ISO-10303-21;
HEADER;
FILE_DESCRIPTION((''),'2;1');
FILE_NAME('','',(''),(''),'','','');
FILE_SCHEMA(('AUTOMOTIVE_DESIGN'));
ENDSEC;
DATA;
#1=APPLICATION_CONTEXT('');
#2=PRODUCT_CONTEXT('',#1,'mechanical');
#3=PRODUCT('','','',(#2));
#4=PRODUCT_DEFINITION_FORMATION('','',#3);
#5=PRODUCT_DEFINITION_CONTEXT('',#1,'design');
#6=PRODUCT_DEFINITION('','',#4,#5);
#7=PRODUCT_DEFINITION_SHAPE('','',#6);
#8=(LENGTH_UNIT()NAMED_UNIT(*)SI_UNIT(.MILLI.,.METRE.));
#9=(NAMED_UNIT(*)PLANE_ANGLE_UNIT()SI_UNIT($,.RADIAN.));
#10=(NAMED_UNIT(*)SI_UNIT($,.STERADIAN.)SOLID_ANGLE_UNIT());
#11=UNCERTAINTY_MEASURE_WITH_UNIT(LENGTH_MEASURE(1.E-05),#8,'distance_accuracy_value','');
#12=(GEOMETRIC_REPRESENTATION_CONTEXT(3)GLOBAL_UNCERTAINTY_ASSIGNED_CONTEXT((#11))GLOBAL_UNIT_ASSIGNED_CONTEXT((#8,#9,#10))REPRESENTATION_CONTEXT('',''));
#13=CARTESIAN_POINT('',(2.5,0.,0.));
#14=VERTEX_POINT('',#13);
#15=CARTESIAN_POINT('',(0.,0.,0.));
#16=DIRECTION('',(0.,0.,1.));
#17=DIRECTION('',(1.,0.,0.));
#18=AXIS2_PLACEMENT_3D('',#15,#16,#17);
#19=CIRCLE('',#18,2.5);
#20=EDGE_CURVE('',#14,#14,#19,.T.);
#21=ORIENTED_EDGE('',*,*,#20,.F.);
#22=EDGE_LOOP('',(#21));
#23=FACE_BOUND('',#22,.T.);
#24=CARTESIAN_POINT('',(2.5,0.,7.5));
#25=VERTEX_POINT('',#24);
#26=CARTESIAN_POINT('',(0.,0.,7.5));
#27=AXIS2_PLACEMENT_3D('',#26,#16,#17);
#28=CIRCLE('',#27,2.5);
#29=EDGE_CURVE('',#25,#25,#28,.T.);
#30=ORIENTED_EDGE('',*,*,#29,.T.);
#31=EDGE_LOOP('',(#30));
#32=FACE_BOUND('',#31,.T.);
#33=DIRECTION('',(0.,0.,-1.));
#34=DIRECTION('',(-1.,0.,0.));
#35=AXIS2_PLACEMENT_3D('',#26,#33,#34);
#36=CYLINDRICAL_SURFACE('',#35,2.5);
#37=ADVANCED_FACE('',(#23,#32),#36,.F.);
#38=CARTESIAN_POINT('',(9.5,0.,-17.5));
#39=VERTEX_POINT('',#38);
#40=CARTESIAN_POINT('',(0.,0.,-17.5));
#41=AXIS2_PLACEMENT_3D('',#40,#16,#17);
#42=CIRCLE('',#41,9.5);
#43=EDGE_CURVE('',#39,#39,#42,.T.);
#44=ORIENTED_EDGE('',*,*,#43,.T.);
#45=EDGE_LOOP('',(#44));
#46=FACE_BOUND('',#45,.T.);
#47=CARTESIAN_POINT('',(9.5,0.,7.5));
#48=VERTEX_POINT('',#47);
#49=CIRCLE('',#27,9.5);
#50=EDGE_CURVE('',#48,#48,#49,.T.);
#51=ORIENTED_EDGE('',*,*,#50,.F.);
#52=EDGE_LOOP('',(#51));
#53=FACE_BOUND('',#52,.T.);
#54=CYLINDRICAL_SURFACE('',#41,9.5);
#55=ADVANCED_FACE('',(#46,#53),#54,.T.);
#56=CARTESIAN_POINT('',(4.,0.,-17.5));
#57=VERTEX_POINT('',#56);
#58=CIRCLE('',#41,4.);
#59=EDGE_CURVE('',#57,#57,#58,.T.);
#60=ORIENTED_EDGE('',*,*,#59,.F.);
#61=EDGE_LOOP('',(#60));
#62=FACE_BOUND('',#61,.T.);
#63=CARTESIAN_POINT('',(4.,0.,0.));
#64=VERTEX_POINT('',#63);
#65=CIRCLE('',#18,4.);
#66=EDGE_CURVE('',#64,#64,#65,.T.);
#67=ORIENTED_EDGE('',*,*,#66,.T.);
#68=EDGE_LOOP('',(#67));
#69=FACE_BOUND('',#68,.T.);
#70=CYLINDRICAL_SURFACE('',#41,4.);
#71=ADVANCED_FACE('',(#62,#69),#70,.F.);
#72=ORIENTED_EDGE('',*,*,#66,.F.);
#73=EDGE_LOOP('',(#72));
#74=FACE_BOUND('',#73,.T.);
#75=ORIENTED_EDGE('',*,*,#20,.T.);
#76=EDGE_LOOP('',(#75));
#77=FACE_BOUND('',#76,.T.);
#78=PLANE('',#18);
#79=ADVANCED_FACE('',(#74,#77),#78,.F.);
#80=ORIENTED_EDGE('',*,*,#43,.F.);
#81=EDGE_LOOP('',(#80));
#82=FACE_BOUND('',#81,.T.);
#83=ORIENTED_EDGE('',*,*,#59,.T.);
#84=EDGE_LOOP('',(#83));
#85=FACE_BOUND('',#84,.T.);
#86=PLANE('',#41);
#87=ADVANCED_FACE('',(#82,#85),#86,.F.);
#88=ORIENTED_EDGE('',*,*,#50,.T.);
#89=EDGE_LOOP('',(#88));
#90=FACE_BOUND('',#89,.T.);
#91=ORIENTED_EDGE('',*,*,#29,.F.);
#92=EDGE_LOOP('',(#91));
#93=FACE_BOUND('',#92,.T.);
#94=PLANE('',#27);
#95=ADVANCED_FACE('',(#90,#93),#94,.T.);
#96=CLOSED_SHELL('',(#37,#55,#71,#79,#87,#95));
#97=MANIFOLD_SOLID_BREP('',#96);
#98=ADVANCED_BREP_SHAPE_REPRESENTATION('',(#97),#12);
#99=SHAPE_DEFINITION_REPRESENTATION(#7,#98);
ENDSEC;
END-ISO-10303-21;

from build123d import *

# Parameters (mm, degrees)
SKETCH1_R           = 9.5
SKETCH1_R_2         = 4
BOSS_EXTRUDE1_DEPTH = 17.5
BOSS_EXTRUDE2_START = 7.5
SKETCH1_3_R         = 9.5
SKETCH1_3_R_2       = 2.5
BOSS_EXTRUDE2_DEPTH = 7.5


with BuildPart() as part:
    # Sketch1 → Boss-Extrude1 (new body)
    with BuildSketch(Plane.XY):
        Circle(SKETCH1_R)
        Circle(SKETCH1_R_2, mode=Mode.SUBTRACT)
    extrude(amount=-BOSS_EXTRUDE1_DEPTH)

    # Sketch1<3> → Boss-Extrude2 (add)
    with BuildSketch(Plane.XY.offset(BOSS_EXTRUDE2_START)):
        Circle(SKETCH1_3_R)
        Circle(SKETCH1_3_R_2, mode=Mode.SUBTRACT)
    extrude(amount=-BOSS_EXTRUDE2_DEPTH)


solid = part.part
